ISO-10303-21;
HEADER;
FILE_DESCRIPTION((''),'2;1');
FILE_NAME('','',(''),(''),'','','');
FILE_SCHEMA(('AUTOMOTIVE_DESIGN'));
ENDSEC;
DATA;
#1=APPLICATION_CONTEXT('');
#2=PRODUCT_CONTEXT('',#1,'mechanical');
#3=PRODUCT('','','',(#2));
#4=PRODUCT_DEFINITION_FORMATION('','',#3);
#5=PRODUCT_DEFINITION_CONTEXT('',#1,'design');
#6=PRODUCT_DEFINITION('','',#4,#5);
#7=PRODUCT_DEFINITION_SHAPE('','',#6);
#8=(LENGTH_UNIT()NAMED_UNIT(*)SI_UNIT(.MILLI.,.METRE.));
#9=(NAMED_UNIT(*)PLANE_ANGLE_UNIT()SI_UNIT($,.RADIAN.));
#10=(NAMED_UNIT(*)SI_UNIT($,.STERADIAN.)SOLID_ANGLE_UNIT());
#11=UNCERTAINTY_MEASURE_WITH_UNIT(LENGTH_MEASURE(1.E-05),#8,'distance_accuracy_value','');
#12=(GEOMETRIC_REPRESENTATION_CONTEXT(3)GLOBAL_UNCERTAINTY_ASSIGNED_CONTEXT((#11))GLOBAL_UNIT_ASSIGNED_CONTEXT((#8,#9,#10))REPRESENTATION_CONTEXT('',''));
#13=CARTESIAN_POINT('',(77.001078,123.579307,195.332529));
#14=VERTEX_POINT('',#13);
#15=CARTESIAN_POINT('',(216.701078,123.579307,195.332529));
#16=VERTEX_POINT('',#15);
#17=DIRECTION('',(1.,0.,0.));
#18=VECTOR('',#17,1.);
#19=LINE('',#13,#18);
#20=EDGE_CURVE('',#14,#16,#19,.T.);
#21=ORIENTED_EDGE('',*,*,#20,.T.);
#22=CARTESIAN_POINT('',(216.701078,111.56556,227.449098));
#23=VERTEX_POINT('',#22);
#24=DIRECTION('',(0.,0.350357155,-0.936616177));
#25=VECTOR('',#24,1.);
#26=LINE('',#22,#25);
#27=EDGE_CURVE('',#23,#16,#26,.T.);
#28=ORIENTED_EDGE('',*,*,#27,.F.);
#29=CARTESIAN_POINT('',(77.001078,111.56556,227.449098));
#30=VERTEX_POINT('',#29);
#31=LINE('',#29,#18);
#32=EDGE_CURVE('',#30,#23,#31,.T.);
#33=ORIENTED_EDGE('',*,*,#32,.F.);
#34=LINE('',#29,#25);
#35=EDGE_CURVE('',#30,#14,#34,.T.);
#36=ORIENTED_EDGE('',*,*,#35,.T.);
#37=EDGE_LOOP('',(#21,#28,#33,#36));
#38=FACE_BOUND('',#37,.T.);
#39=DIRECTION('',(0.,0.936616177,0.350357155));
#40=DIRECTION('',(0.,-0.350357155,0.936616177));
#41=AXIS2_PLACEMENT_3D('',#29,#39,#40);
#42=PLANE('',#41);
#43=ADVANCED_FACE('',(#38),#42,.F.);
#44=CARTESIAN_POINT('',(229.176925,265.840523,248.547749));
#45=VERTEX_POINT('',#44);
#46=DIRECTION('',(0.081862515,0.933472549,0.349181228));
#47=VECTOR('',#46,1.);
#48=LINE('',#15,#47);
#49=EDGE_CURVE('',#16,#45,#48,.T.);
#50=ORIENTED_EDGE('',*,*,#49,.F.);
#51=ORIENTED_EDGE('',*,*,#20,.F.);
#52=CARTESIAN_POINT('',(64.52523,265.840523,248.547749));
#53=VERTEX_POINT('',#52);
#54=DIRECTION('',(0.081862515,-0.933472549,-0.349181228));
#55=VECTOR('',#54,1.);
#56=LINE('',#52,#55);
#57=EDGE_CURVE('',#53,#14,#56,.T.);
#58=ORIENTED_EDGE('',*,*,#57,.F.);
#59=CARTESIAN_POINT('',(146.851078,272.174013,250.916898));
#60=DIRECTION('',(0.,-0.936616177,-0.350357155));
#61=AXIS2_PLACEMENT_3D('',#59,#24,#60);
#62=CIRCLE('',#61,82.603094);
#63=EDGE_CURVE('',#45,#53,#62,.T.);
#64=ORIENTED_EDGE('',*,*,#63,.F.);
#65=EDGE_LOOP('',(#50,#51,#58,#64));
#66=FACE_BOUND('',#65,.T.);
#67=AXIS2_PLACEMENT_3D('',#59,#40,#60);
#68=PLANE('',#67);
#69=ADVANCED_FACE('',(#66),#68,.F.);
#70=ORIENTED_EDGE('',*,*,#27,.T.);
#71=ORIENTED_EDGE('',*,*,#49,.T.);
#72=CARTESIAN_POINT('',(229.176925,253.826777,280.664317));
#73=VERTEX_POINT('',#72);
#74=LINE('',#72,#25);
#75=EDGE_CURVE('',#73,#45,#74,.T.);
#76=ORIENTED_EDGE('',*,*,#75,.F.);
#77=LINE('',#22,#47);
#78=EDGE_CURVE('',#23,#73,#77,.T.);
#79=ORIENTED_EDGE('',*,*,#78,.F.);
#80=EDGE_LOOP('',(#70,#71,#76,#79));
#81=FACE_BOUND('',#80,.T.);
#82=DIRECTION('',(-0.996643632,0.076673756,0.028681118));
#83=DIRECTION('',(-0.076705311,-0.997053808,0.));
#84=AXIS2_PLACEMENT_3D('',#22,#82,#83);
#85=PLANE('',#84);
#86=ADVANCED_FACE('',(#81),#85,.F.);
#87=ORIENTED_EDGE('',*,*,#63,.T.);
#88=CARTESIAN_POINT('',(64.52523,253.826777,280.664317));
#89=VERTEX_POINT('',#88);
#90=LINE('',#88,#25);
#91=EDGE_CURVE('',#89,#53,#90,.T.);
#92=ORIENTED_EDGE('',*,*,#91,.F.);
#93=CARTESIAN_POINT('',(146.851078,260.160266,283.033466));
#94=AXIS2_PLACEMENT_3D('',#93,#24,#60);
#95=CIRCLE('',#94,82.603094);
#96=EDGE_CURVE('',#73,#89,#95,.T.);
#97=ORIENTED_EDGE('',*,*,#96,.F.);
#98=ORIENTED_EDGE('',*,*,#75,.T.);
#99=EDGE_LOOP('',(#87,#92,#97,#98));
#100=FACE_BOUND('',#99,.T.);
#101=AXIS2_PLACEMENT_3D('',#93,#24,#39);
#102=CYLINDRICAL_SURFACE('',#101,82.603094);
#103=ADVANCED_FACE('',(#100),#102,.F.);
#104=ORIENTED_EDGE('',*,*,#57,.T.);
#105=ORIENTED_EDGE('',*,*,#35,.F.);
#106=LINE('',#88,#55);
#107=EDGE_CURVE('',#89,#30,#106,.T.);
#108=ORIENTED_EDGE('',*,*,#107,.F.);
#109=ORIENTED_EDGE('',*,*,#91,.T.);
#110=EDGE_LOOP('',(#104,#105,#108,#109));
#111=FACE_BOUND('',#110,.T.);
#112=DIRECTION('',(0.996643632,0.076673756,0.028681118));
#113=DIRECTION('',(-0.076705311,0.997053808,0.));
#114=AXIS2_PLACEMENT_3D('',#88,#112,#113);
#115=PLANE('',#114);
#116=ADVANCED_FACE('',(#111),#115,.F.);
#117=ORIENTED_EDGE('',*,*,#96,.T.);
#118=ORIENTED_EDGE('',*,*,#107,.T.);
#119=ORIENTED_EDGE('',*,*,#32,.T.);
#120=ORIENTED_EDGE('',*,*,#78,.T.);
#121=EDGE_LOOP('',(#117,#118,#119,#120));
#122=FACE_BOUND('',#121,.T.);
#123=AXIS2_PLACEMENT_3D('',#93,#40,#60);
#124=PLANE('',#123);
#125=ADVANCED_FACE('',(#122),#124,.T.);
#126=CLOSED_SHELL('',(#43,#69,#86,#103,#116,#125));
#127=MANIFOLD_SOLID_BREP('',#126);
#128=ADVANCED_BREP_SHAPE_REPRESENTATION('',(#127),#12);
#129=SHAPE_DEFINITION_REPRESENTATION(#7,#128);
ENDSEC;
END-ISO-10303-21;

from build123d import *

# Parameters (mm, degrees)
BOSS_EXTRUDE3_DEPTH = 34.29


with BuildPart() as part:
    # Sketch4 → Boss-Extrude3 (new body)
    with BuildSketch(Plane(origin=(0, -48.929027825, 130.802863094), x_dir=(1, 0, 0), z_dir=(0, -0.350357155, 0.936616177))):
        with BuildLine():
            Line((64.525230348, 336.071016896), (77.001077593, 184.182527419))
            Line((77.001077593, 184.182527419), (216.701077593, 184.182527419))
            Line((216.701077593, 184.182527419), (229.176924838, 336.071016896))
            ThreePointArc((229.176924838, 336.071016896), (146.851077593, 260.230020219), (64.525230348, 336.071016896))
        make_face()
    extrude(amount=BOSS_EXTRUDE3_DEPTH)


solid = part.part
